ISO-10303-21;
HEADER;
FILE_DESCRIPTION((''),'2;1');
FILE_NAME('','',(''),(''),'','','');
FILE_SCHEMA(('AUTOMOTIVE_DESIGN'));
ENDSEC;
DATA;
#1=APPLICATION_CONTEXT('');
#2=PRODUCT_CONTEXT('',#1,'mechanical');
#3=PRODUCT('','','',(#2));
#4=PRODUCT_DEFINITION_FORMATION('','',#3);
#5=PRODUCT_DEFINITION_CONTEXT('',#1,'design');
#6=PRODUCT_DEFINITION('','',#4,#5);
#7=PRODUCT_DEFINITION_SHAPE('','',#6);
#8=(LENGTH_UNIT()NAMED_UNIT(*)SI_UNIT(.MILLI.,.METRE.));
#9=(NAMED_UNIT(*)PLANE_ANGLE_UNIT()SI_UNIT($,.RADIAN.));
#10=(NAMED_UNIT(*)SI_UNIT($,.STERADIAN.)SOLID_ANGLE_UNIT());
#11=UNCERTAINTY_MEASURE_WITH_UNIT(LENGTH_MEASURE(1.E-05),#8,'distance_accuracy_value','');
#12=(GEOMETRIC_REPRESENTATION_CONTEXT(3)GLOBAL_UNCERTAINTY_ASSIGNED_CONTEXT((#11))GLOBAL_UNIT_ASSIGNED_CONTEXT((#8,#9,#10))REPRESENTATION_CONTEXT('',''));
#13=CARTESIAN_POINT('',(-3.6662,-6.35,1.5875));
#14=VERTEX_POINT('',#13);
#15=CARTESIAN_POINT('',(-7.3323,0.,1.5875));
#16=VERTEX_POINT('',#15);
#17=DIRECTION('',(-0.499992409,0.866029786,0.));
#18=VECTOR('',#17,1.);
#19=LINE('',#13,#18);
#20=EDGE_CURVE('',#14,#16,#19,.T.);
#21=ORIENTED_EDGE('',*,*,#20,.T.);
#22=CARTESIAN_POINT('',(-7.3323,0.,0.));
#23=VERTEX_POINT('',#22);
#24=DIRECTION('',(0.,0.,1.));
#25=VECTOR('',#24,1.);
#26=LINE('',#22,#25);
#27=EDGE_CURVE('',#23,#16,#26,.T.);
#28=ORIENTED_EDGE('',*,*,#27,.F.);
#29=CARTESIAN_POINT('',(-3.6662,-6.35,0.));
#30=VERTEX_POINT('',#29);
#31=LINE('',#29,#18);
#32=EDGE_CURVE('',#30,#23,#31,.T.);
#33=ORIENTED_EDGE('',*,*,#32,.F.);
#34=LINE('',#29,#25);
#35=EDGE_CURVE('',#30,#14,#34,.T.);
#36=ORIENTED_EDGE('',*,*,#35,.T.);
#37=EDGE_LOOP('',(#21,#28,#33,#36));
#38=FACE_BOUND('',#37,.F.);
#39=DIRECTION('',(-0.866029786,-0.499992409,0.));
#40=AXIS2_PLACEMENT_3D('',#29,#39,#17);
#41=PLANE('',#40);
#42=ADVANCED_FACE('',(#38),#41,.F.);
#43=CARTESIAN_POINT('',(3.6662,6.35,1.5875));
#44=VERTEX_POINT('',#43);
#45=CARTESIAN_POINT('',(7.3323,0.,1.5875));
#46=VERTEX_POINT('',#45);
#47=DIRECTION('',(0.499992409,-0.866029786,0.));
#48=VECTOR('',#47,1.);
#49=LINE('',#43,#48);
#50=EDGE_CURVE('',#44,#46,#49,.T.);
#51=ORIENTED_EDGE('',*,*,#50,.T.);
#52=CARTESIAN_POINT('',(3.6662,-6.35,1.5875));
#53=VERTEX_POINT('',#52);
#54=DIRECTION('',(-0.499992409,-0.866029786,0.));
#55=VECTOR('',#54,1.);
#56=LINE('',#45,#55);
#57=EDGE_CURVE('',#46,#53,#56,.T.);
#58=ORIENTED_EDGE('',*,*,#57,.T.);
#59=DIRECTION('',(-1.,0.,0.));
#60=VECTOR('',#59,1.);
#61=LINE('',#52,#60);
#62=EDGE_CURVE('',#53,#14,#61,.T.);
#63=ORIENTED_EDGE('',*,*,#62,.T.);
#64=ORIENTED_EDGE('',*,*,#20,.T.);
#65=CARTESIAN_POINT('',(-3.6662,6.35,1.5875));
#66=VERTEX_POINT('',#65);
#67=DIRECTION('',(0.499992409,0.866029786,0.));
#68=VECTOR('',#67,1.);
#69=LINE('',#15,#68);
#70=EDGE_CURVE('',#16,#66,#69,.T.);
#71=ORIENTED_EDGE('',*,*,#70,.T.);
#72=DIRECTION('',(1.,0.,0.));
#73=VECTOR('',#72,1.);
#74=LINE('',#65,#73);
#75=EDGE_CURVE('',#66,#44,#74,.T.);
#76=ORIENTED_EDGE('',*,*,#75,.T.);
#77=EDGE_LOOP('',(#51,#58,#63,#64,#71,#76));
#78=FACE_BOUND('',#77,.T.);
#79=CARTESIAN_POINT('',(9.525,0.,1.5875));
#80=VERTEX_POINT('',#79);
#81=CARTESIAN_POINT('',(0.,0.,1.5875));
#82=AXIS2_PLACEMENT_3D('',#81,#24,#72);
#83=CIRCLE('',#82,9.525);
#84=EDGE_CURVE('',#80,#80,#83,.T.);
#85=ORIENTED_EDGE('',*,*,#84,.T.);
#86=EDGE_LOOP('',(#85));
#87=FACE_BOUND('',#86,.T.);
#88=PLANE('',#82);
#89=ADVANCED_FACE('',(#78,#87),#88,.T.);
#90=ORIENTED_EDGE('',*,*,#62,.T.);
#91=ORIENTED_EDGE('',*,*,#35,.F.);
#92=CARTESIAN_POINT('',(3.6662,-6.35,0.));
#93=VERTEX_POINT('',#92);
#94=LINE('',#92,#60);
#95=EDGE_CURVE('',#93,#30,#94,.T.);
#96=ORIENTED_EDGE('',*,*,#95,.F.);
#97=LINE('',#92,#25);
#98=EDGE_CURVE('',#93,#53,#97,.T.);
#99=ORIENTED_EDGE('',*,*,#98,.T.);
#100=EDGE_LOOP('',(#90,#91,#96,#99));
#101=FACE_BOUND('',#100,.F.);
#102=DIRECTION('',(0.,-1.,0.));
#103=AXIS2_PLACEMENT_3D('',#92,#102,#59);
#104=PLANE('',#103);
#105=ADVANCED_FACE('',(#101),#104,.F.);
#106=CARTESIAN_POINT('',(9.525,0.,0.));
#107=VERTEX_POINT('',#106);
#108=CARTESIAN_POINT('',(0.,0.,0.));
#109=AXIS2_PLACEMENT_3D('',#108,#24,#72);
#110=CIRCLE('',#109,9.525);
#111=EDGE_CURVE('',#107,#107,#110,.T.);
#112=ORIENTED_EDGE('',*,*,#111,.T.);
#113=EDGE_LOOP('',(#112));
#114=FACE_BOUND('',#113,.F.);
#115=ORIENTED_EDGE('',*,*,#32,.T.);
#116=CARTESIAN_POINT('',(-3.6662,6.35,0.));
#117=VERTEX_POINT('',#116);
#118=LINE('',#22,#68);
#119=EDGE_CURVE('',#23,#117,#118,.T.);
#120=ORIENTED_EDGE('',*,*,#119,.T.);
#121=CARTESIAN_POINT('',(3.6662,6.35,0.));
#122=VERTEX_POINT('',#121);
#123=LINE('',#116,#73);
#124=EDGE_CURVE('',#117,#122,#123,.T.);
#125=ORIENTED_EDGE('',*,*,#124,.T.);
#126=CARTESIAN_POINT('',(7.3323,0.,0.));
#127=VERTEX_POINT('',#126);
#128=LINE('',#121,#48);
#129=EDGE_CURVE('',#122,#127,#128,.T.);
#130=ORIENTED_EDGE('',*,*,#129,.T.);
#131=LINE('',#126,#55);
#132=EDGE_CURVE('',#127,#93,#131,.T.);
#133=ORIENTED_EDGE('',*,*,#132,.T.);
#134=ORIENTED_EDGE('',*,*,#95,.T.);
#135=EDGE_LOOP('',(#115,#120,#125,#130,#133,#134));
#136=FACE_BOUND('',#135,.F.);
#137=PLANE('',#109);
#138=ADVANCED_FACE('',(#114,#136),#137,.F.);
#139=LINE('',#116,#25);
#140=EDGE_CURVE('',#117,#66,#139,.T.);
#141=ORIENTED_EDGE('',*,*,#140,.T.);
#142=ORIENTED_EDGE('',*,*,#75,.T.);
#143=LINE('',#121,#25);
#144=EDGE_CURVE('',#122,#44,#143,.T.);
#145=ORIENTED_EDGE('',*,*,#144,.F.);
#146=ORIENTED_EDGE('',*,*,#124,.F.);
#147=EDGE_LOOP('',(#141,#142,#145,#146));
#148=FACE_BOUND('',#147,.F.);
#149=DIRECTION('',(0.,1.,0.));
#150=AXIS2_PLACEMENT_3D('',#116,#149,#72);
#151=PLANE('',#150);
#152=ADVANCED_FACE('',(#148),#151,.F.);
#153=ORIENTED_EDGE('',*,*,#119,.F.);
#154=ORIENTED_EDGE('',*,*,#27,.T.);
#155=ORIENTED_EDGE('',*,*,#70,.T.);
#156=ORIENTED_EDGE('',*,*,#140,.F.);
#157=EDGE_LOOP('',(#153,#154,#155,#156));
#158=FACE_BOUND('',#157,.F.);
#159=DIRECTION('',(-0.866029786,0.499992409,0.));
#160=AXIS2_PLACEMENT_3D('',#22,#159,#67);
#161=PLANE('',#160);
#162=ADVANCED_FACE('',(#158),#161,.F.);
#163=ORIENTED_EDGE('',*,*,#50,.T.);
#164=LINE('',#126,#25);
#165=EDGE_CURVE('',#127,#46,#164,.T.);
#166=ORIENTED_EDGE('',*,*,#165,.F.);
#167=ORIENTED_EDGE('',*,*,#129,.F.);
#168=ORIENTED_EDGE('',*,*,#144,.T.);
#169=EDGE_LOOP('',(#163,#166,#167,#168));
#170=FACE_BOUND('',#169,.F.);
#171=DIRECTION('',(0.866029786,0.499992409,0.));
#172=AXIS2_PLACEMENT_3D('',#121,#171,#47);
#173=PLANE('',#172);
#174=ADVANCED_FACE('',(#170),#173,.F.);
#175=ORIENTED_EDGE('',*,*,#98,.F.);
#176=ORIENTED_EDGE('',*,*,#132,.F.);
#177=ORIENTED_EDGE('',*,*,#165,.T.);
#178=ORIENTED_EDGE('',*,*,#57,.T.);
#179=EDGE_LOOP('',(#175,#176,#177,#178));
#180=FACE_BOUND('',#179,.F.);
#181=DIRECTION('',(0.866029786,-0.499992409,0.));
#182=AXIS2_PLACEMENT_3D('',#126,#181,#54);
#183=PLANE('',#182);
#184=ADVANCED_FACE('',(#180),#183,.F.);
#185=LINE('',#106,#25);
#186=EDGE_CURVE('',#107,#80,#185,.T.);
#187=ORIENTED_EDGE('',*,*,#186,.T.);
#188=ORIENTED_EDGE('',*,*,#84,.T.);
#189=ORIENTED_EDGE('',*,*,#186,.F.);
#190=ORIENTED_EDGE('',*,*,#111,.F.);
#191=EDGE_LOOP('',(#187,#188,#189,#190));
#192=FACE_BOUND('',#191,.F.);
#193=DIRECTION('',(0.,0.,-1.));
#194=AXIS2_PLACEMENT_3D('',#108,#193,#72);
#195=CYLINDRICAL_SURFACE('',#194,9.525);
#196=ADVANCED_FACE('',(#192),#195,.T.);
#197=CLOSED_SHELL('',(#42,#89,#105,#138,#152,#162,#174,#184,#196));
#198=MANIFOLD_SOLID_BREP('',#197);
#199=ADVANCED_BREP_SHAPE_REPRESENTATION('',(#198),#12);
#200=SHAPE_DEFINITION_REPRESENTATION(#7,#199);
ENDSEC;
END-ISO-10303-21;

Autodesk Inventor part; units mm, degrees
ref_plane "YZ Plane" through (0, 0, 0) normal (1, 0, 0) x (0, 1, 0)
ref_plane "XZ Plane" through (0, 0, 0) normal (0, 1, 0) x (-1, 0, 0)
ref_plane "XY Plane" through (0, 0, 0) normal (0, 0, 1) x (1, 0, 0)
sketch "Sketch1" plane through (0, 0, 0) normal (0, 0, 1) x (1, 0, 0)
  circle A0 centre (0, 0) radius 9.525
  line L0 (7.3323, 0) -> (3.6662, -6.35)
  line L1 (3.6662, -6.35) -> (-3.6662, -6.35)
  line L2 (-3.6662, -6.35) -> (-7.3323, 0)
  line L3 (-7.3323, 0) -> (-3.6662, 6.35)
  line L4 (-3.6662, 6.35) -> (3.6662, 6.35)
  line L5 (3.6662, 6.35) -> (7.3323, 0)
  dimension "d0" = 19.05
  dimension "d1" = 12.7
extrude "Extrusion1" add sketch "Sketch1" along normal blind 1.5875
properties part number "ARM_085_0.0625Spacer" material "PVC-Piping"
